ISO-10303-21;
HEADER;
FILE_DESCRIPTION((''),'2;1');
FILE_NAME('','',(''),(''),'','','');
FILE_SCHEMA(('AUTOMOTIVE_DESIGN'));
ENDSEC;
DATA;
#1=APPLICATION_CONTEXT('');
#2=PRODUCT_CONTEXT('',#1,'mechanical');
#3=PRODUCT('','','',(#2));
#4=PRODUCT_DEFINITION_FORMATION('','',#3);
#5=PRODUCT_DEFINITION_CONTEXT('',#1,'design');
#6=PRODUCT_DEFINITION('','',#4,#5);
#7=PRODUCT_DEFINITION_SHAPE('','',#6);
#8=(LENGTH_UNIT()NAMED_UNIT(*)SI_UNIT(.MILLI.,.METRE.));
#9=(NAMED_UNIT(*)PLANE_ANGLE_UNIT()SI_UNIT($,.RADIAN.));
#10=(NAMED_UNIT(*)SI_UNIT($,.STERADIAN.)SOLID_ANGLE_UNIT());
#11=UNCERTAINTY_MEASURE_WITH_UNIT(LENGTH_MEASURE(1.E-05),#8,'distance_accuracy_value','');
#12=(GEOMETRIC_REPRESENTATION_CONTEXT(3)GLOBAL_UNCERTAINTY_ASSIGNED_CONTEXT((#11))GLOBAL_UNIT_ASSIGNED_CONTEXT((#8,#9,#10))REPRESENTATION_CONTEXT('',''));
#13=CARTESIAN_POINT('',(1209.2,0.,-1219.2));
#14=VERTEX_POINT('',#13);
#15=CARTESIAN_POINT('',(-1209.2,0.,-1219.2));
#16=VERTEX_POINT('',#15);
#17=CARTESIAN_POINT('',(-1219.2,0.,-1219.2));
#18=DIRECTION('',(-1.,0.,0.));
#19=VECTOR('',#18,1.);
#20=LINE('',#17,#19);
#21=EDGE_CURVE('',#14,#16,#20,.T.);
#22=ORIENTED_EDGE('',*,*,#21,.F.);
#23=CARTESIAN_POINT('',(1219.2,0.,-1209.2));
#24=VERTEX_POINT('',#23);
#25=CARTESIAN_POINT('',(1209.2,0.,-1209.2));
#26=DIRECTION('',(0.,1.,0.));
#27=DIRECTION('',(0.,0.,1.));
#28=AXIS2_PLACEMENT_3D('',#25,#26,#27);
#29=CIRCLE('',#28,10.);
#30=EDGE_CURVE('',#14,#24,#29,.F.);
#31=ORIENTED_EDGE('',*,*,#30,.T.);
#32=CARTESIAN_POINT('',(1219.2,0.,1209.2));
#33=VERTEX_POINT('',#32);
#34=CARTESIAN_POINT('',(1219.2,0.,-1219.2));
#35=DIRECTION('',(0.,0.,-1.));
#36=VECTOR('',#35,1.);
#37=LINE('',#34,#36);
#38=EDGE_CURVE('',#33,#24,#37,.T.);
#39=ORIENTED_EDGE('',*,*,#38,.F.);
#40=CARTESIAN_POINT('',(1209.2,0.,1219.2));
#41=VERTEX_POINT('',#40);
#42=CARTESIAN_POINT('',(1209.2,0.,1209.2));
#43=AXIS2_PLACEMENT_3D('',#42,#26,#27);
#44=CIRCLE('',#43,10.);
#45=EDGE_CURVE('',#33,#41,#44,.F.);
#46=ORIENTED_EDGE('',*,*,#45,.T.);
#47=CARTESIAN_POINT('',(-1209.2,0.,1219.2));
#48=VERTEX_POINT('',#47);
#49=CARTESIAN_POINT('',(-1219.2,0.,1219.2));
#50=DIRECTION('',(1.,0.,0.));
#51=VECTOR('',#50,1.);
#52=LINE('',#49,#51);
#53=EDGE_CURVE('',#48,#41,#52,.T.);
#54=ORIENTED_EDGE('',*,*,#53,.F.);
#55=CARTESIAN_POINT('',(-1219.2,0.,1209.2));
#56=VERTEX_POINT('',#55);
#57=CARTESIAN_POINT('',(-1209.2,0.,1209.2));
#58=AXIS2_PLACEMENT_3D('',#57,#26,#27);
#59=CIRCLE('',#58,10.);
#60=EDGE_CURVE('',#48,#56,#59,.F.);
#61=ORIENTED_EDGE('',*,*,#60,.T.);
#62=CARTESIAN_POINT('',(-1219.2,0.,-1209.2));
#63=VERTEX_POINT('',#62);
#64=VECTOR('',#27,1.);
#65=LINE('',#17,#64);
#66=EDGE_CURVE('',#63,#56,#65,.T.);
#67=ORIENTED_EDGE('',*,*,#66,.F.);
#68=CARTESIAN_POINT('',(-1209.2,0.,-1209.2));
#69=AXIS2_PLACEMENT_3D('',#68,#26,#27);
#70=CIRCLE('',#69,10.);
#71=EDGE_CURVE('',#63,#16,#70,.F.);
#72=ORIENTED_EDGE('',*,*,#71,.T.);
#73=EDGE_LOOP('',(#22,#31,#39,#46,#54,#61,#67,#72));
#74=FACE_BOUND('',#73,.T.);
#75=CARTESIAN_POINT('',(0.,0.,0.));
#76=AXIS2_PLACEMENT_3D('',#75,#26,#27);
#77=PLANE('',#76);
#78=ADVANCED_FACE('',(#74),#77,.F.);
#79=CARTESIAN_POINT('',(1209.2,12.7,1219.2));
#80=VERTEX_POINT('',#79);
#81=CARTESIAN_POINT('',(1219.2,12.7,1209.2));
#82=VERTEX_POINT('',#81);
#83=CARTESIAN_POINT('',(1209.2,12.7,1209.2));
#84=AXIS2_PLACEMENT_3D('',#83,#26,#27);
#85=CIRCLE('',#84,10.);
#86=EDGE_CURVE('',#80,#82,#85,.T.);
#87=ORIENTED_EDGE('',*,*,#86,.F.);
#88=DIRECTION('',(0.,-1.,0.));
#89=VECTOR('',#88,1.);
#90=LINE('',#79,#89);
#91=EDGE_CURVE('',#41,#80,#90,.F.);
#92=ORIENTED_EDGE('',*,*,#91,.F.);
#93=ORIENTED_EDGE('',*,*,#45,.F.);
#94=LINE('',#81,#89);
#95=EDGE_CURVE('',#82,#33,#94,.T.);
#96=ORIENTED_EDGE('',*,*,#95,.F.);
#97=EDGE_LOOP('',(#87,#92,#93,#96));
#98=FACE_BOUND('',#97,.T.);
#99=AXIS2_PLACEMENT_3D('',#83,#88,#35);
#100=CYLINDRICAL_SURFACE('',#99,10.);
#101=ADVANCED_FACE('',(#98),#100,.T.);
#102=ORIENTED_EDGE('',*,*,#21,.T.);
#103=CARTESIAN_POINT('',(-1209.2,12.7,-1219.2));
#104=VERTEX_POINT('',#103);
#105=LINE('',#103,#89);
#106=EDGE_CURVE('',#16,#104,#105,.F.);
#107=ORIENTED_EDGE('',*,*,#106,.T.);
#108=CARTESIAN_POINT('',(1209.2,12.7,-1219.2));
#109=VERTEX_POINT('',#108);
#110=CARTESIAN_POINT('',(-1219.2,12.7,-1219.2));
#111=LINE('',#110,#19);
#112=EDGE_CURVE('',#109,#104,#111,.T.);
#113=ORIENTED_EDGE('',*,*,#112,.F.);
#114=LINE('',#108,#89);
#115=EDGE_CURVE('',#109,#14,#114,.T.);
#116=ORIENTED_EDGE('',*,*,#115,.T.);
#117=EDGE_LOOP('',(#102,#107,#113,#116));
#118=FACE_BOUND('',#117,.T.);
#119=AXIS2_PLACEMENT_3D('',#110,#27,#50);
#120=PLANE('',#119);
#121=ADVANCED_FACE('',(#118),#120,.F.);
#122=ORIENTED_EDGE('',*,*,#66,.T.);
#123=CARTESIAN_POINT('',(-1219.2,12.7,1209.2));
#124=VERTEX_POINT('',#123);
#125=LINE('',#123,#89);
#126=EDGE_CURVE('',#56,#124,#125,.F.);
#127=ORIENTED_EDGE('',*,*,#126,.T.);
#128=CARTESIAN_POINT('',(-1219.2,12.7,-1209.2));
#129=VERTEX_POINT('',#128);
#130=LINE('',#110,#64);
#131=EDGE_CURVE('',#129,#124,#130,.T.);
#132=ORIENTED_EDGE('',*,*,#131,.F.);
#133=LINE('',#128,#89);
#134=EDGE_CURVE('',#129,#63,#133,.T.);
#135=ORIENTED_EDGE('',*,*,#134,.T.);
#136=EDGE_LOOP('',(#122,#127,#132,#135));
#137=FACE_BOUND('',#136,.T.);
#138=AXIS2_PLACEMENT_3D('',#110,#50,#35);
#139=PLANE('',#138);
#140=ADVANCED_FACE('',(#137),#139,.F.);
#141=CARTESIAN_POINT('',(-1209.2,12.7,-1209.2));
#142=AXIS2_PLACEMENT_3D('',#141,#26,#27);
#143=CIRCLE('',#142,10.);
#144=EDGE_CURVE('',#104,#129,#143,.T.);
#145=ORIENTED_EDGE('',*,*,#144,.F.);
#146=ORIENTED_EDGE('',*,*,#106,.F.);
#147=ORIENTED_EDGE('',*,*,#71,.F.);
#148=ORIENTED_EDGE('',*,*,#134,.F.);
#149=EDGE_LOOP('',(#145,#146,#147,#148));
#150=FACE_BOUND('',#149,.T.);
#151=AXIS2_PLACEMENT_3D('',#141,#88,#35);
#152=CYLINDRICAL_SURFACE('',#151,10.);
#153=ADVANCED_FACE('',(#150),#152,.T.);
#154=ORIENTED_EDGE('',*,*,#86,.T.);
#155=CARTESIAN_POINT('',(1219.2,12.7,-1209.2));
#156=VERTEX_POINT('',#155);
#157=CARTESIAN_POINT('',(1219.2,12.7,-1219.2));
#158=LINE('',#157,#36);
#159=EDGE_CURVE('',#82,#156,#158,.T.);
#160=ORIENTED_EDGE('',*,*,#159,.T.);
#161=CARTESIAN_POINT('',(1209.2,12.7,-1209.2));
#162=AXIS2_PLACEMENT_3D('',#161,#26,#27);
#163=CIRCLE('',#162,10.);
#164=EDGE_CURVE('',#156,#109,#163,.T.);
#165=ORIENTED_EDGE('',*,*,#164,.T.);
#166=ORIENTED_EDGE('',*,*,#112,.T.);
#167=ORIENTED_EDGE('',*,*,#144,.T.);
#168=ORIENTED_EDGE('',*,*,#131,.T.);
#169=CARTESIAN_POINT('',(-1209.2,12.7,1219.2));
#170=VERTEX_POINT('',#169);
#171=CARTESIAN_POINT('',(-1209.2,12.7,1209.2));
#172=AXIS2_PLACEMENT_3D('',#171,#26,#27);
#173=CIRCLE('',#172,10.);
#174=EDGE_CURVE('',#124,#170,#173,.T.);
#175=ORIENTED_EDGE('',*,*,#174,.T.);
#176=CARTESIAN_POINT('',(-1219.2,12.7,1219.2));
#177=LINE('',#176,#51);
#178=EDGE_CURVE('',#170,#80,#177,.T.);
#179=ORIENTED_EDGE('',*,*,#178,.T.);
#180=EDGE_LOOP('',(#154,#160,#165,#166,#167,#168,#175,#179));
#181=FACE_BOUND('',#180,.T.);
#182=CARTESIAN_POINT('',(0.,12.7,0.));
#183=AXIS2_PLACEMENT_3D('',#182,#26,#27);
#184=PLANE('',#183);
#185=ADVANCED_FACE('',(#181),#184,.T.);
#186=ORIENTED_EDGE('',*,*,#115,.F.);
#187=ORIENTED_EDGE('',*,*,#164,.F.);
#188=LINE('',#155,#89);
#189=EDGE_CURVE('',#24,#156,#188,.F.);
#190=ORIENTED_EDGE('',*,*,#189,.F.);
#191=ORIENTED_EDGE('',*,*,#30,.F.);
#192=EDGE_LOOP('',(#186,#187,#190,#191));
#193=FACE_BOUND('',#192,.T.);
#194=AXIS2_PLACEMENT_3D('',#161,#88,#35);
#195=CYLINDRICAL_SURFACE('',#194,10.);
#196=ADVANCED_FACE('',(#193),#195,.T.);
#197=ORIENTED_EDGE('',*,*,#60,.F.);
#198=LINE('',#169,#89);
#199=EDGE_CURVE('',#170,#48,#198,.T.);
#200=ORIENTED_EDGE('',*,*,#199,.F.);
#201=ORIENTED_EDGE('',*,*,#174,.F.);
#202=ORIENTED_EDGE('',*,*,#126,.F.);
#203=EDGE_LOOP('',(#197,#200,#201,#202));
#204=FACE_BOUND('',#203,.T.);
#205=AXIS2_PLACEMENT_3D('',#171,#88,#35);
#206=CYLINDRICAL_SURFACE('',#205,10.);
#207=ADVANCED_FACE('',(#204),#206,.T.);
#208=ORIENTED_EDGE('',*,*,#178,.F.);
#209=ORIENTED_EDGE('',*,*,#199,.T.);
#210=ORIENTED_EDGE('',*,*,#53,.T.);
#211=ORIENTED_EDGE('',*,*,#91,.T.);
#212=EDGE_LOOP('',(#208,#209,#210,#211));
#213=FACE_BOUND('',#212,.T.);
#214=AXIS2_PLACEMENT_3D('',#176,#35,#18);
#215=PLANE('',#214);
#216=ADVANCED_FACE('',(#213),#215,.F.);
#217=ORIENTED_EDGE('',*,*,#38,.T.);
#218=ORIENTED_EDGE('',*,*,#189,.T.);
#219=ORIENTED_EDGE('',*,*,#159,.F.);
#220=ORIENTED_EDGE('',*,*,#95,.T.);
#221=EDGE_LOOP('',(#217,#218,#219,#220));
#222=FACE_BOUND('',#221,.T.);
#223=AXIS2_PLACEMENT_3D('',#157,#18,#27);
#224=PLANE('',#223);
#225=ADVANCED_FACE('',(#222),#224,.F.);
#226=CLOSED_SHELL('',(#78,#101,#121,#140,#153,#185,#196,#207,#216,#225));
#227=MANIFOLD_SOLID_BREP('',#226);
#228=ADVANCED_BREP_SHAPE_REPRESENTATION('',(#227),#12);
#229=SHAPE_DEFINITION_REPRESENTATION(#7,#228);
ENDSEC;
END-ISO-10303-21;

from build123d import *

# Parameters (mm, degrees)
SKETCH1_W           = 2438.4
SKETCH1_H           = 2438.4
BOSS_EXTRUDE1_DEPTH = 12.7
FILLET1_R           = 10


with BuildPart() as part:
    # Sketch1 → Boss-Extrude1 (new body)
    with BuildSketch(Plane(origin=(0, 0, 0), x_dir=(1, 0, 0), z_dir=(0, 1, 0))):
        Rectangle(SKETCH1_W, SKETCH1_H)
    extrude(amount=BOSS_EXTRUDE1_DEPTH)

    # Fillet1
    fillet1_edges = [part.edges().sort_by_distance(p)[0] for p in [
        (1219.2, 6.35, 1219.2),
        (-1219.2, 6.35, 1219.2),
        (-1219.2, 6.35, -1219.2),
        (1219.2, 6.35, -1219.2),
    ]]
    fillet(fillet1_edges, radius=FILLET1_R)


solid = part.part
